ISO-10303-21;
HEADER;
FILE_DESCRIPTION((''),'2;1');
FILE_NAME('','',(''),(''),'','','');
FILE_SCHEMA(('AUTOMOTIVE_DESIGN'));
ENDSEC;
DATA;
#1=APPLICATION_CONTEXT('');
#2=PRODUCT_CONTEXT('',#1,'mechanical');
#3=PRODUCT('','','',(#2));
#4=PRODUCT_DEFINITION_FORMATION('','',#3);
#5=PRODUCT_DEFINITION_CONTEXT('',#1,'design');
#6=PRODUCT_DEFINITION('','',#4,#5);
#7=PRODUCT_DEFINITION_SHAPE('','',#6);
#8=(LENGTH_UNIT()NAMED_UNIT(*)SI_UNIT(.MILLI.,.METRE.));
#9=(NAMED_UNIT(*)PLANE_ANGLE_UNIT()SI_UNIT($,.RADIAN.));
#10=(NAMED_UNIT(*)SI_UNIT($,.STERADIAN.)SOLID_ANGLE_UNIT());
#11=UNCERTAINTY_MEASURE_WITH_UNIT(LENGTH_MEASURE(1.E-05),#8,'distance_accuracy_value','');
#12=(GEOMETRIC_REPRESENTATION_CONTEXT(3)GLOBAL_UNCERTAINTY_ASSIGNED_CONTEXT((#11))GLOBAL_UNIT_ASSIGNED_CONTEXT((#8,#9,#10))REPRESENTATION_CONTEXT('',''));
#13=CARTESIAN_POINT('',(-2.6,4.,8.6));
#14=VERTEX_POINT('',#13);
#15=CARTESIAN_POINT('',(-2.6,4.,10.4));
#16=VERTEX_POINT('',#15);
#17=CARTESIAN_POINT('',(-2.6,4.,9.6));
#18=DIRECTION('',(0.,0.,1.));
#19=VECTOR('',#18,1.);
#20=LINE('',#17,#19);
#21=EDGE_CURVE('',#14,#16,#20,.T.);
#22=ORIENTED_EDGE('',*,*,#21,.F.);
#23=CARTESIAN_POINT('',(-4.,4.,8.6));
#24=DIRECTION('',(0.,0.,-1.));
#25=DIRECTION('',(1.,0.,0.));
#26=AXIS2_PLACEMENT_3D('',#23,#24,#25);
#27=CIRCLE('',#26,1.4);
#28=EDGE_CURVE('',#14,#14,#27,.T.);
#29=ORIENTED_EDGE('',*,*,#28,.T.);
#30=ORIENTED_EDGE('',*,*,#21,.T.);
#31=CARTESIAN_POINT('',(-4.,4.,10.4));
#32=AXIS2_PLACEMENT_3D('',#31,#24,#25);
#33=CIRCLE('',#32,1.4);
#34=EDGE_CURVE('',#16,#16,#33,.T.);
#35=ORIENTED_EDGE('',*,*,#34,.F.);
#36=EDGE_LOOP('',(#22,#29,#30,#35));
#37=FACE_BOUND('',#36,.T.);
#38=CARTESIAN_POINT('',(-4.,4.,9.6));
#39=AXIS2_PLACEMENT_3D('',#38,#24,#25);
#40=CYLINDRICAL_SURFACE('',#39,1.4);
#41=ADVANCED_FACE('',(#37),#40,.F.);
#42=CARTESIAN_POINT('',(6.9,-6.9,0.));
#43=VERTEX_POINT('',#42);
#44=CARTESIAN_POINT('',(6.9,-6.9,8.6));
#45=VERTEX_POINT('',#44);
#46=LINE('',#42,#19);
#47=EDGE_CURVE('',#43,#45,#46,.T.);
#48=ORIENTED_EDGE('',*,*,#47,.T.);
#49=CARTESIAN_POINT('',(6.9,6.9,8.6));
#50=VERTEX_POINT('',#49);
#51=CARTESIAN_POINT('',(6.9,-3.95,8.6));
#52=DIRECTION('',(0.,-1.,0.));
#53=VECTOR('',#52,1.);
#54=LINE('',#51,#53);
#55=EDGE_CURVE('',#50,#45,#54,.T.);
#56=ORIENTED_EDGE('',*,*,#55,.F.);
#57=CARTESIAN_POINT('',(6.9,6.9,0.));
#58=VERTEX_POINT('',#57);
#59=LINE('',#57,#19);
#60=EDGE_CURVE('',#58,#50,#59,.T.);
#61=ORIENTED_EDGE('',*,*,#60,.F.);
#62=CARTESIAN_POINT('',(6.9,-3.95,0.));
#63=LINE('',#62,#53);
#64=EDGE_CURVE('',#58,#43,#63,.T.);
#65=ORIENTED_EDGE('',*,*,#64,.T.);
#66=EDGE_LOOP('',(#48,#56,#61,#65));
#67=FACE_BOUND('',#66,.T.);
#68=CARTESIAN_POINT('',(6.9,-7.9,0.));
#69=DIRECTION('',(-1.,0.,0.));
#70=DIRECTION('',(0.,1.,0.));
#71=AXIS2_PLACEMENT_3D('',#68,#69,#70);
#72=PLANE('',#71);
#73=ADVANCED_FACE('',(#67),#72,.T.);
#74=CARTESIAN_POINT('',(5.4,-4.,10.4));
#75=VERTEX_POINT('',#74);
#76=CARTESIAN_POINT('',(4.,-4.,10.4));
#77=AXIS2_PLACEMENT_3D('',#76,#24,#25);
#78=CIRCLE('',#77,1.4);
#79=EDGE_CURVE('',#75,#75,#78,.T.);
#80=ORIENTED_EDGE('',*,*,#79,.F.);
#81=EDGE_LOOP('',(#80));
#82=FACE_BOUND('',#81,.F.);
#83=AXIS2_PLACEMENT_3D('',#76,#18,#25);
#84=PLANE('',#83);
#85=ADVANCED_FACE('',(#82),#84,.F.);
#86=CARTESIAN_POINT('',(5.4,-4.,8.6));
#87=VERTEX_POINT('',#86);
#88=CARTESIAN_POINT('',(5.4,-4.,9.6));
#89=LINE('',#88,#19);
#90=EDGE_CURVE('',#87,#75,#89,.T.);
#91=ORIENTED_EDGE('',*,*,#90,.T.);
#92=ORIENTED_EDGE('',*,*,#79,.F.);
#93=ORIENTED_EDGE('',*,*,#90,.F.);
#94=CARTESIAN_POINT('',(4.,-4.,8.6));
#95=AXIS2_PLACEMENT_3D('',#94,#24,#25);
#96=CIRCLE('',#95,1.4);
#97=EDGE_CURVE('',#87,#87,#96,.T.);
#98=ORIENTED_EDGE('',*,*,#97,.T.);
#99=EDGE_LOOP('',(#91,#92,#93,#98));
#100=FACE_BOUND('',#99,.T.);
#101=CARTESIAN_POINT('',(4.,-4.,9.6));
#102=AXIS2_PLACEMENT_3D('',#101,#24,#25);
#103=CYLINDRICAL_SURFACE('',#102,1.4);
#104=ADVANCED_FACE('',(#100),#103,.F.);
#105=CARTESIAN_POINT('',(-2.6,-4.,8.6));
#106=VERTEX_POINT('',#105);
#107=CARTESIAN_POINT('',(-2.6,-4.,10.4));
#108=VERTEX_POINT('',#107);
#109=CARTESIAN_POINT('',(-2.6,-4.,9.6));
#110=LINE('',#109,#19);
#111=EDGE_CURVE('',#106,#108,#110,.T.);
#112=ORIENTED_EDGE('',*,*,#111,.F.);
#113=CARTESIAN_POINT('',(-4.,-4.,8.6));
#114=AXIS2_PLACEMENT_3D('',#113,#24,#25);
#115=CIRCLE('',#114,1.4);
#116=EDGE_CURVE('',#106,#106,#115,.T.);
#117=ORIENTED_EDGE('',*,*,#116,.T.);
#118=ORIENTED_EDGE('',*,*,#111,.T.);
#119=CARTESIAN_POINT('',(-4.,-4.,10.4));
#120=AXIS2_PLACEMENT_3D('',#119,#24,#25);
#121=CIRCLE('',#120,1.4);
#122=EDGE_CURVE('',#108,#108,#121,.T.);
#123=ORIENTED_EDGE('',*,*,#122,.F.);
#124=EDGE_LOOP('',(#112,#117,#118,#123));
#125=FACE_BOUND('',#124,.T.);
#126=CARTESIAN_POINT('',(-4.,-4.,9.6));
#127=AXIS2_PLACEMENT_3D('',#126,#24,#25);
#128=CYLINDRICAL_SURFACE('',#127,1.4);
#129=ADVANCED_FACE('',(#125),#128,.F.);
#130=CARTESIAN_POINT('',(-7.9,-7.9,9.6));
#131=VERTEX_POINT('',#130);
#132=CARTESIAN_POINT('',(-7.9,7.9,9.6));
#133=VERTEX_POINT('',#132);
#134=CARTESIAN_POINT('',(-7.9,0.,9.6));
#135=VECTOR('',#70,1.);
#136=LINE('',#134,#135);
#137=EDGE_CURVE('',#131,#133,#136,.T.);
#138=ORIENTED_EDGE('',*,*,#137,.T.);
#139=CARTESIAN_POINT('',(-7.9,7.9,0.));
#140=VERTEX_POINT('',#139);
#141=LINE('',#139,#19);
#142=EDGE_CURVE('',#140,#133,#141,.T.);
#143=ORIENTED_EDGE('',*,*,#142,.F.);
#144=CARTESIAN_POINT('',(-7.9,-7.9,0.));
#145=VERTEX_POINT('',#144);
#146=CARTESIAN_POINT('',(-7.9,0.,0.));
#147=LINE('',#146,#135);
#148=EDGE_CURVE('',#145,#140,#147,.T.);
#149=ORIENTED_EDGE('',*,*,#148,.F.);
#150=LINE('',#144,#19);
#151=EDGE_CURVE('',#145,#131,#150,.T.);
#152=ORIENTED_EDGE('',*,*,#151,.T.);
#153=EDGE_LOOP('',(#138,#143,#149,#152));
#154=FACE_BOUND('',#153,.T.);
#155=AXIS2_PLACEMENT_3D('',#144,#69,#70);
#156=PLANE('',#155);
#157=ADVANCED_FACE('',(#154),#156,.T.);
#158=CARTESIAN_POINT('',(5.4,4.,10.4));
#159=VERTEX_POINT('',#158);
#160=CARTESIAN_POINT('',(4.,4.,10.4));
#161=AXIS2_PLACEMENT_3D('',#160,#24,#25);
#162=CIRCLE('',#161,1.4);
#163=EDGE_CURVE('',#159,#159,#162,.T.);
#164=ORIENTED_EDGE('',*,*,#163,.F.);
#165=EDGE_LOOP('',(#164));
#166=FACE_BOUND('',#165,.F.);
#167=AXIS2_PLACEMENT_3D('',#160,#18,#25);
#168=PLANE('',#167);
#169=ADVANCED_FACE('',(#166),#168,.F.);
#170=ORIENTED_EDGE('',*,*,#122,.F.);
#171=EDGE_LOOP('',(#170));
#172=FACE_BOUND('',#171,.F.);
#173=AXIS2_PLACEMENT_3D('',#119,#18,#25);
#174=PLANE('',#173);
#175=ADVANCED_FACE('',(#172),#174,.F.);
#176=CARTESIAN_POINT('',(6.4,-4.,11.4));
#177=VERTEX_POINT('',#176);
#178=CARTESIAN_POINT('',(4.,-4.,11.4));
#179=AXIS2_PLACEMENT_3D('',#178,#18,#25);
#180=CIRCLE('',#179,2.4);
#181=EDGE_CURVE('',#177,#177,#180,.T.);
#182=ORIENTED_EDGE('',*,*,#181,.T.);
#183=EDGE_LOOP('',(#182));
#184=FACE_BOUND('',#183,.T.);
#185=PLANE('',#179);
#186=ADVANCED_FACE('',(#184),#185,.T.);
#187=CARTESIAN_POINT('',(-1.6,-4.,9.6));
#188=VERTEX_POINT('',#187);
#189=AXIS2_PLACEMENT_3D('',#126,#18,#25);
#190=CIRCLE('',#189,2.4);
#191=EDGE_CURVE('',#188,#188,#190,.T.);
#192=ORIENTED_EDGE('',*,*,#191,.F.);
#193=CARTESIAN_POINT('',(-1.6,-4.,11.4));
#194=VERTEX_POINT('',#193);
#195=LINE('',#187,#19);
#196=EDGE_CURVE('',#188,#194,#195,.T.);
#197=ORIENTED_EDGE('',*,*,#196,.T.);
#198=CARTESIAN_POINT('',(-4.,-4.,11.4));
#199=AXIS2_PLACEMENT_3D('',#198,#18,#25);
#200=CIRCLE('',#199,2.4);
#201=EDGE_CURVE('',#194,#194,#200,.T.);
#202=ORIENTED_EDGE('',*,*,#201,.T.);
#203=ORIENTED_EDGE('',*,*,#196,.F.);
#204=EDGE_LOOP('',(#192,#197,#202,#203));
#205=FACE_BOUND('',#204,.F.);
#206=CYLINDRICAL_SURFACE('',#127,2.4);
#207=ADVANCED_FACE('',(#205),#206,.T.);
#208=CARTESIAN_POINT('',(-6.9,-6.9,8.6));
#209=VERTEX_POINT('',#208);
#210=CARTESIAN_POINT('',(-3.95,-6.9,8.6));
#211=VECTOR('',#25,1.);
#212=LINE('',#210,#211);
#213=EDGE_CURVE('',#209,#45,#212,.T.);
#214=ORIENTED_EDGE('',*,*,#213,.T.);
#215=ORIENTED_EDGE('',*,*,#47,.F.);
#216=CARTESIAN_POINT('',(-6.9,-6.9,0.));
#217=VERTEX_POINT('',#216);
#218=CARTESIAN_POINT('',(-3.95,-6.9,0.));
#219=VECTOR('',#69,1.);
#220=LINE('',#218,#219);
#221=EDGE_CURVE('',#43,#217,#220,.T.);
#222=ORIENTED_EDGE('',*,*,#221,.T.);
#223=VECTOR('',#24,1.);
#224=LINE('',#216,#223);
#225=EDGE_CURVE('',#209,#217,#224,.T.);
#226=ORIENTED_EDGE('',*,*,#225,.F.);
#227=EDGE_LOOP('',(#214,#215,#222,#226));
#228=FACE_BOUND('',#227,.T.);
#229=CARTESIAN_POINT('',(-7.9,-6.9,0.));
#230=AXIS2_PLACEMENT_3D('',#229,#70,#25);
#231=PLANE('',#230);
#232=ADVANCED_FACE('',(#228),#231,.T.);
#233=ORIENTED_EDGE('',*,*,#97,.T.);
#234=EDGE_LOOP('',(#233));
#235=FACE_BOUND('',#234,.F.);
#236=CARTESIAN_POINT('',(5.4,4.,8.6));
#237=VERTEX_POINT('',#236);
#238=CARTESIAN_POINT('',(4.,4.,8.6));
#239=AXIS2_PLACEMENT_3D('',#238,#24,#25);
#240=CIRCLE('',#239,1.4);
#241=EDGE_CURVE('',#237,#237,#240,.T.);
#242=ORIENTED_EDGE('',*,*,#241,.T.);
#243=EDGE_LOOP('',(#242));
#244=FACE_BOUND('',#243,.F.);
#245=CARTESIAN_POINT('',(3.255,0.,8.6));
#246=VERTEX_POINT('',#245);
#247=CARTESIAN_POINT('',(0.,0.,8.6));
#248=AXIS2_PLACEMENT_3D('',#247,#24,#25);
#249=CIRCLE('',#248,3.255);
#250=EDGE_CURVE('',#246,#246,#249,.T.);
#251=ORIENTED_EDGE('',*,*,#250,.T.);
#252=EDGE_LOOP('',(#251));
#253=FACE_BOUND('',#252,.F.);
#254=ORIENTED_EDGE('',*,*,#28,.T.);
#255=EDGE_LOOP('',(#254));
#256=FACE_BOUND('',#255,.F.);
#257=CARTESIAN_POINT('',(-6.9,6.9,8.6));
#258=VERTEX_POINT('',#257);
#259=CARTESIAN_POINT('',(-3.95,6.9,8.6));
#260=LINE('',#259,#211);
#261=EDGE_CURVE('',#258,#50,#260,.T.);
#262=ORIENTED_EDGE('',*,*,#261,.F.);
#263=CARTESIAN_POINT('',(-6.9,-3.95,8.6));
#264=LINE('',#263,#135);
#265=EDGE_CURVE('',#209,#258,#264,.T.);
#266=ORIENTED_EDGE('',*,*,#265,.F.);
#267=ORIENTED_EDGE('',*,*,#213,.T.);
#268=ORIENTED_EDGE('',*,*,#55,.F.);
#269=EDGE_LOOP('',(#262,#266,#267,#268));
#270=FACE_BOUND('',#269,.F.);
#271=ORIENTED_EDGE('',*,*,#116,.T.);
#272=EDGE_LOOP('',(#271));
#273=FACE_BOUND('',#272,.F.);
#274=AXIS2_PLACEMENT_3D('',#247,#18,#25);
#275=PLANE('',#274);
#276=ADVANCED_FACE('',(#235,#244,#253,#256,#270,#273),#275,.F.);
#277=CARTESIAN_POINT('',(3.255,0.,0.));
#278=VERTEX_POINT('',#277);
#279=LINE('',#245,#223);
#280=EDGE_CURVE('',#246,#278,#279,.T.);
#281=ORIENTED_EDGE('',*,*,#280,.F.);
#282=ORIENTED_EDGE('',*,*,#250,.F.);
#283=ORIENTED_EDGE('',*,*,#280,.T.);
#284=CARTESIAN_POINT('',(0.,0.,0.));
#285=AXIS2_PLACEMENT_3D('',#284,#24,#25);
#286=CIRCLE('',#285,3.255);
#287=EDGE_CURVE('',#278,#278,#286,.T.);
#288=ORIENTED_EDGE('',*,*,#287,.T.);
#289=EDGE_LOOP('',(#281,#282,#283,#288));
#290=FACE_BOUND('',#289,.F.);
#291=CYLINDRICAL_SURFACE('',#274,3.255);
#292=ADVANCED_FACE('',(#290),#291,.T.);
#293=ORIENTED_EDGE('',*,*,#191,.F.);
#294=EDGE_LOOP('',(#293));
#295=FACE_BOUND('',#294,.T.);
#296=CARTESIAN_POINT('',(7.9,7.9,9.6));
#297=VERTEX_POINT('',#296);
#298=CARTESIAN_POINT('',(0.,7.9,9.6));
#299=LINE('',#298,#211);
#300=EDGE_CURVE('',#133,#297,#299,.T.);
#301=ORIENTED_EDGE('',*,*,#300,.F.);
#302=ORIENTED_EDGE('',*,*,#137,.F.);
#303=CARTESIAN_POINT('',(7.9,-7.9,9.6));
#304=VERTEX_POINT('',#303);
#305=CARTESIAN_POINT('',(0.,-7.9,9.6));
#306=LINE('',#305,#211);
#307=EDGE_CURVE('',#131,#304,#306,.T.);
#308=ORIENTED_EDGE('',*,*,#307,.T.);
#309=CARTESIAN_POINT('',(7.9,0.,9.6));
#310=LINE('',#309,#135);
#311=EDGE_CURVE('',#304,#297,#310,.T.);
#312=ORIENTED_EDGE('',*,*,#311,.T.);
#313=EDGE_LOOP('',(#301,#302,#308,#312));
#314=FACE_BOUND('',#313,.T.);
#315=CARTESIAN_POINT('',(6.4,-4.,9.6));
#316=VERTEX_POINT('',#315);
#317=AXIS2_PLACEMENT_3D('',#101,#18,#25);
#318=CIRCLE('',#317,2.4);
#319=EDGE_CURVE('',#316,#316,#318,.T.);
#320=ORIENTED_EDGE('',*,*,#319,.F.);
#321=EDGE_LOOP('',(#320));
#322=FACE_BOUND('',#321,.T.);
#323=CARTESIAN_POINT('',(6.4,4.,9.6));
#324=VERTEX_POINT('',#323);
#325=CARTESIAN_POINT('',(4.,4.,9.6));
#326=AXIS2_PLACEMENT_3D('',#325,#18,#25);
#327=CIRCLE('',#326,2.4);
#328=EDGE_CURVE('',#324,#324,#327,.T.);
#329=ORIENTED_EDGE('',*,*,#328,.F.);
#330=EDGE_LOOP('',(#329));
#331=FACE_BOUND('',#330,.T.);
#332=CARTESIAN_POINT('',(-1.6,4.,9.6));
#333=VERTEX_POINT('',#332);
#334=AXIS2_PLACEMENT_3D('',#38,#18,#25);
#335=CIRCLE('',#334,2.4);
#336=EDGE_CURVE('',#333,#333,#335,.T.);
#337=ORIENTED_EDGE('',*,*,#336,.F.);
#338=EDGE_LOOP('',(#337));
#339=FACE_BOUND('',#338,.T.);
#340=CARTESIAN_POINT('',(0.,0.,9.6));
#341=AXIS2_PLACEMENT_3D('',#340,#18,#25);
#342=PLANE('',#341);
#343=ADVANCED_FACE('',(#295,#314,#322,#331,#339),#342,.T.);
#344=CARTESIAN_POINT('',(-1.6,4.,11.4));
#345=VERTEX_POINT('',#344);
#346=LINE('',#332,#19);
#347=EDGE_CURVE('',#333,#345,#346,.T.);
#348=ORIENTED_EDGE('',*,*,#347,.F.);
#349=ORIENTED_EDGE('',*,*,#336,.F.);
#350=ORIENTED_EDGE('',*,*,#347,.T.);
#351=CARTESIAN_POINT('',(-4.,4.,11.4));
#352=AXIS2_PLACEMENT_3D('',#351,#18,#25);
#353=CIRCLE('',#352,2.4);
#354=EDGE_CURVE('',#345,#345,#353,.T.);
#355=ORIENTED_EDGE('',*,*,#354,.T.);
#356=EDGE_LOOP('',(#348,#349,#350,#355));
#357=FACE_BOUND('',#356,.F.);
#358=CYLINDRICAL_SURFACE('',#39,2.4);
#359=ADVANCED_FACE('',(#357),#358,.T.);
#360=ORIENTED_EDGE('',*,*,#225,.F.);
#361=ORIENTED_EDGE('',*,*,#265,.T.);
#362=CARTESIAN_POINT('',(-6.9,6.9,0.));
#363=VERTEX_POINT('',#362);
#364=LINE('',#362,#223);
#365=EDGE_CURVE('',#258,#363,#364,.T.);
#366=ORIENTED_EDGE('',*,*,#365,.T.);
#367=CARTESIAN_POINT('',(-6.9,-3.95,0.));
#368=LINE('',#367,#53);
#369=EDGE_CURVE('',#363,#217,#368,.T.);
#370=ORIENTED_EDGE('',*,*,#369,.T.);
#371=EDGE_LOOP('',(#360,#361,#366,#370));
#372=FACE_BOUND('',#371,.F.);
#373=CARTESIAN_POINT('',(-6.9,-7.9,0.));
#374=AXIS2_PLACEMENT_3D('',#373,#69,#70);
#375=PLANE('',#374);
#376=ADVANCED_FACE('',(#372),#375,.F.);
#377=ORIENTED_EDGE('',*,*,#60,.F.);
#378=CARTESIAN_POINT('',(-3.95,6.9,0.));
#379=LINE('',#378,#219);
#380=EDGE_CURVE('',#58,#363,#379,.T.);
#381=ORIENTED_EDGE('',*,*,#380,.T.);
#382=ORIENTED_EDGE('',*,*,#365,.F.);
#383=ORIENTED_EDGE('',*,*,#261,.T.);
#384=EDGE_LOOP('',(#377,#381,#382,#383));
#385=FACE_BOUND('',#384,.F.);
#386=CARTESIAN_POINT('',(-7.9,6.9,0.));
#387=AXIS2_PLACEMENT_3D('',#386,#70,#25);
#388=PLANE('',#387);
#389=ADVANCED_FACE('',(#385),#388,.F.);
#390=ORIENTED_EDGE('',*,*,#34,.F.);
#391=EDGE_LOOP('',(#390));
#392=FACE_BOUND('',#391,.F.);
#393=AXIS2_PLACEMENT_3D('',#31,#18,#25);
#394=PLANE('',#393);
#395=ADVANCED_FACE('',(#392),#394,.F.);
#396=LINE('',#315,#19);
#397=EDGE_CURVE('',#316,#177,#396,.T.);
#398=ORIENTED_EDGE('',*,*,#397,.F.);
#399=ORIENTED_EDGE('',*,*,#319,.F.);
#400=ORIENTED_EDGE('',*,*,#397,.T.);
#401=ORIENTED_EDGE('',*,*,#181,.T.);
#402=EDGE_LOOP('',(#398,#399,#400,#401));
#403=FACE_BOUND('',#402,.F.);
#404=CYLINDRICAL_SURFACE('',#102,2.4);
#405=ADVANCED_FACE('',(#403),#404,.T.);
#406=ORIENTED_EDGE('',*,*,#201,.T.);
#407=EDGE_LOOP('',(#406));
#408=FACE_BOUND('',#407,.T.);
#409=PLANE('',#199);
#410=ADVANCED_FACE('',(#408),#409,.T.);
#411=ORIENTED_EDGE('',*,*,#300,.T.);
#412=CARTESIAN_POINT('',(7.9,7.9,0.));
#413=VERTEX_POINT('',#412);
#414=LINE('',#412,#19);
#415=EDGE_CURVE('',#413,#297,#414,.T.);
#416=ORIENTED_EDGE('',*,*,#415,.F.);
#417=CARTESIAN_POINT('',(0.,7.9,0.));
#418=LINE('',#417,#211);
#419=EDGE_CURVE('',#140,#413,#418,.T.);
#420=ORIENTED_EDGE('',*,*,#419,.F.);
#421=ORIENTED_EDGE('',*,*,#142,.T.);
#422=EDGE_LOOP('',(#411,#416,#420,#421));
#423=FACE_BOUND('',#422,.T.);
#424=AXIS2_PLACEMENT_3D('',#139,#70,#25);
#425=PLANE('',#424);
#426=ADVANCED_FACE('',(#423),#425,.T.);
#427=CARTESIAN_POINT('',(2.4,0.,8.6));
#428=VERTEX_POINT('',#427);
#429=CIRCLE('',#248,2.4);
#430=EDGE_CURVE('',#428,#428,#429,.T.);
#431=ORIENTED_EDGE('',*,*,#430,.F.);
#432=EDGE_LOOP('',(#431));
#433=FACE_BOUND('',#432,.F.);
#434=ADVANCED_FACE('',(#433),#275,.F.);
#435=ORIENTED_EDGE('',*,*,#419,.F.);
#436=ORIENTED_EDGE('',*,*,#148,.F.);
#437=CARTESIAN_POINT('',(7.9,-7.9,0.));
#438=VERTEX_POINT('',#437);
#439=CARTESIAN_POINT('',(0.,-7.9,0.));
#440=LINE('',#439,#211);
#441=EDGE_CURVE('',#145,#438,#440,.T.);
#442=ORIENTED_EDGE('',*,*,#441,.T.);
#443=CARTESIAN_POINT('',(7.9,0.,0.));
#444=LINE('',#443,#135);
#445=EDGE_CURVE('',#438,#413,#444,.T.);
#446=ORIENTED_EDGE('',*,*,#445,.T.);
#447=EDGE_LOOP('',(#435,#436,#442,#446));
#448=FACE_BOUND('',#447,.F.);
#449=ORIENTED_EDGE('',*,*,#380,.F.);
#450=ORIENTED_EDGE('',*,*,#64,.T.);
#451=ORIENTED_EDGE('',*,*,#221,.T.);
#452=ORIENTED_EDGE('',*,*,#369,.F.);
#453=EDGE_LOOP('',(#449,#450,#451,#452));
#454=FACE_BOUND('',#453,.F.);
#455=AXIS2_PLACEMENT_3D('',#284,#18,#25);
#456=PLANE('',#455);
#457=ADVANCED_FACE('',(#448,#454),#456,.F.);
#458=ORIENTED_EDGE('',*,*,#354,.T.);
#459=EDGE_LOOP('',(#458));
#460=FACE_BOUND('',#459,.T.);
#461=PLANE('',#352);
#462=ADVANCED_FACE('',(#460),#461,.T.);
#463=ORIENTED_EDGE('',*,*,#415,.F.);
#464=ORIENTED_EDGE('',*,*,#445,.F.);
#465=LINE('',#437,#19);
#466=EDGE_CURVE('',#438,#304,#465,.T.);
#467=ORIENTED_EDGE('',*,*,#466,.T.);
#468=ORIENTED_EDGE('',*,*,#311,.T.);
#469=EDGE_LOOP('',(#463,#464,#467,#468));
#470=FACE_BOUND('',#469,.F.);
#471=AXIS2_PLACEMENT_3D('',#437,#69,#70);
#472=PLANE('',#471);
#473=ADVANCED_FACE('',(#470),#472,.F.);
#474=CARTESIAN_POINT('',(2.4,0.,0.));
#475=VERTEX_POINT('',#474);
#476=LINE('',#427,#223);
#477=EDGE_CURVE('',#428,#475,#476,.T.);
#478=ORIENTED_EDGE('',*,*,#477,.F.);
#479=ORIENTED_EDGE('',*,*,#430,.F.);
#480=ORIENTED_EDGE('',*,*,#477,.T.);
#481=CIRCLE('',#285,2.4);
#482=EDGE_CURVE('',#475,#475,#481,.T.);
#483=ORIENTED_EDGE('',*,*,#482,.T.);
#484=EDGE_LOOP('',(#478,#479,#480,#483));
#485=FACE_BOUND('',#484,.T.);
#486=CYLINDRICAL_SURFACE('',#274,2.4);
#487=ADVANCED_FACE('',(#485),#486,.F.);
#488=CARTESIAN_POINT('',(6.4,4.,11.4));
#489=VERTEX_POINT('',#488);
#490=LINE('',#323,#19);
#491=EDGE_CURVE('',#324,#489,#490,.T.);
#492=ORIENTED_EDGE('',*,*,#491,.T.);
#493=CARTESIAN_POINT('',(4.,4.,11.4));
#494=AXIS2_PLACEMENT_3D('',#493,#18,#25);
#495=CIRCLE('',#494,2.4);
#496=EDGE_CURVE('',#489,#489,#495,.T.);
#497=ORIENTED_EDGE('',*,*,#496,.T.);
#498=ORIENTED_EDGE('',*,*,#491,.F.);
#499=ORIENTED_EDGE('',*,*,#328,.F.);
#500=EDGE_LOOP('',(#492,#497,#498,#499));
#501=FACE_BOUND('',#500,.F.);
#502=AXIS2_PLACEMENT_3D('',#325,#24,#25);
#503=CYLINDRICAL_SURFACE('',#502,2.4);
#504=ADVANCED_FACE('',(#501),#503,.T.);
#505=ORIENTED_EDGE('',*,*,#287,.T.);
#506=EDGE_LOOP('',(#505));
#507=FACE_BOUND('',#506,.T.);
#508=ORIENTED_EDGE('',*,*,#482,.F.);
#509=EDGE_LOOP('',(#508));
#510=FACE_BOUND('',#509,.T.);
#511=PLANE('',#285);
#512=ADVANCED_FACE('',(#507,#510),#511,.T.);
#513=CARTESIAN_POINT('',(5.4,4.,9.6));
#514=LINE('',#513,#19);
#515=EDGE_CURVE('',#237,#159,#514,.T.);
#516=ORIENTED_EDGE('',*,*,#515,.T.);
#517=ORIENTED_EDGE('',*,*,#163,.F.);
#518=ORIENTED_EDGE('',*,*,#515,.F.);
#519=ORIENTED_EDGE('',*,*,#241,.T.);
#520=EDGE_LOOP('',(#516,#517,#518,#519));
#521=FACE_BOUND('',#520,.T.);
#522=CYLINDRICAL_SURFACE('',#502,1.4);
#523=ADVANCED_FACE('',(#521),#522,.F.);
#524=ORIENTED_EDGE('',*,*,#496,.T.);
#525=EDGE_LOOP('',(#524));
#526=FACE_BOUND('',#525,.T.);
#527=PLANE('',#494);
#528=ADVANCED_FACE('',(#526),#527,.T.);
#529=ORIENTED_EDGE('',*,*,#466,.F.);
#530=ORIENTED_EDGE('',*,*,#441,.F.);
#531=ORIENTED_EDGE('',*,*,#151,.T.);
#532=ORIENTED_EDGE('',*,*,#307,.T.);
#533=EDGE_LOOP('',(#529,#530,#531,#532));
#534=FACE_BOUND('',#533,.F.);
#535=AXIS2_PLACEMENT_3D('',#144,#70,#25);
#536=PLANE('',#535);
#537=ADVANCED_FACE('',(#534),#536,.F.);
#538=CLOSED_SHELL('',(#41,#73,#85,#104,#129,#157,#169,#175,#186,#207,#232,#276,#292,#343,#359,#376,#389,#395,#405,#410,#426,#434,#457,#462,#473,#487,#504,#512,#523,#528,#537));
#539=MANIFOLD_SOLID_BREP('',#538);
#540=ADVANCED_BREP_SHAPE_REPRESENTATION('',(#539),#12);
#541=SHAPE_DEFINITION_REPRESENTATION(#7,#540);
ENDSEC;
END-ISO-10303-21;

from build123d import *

# Parameters (mm, degrees)
F0_W     = 15.8
F0_H     = 15.8
F1_DEPTH = 9.6
F2_R     = 2.4
F3_DEPTH = 1.8
F4_T     = -1
F5_R     = 3.255
F5_R_2   = 2.4
F6_DEPTH = 8.6


with BuildPart() as f1:
    # F0 (on Top) → F1 (new body)
    with BuildSketch(Plane.XY):
        Rectangle(F0_W, F0_H)
    extrude(amount=F1_DEPTH)

    # F2 (on face) → F3 (join)
    with BuildSketch(Plane.XY.offset(9.6)):
        with Locations((-4, 4)):
            Circle(F2_R)
        with Locations((4, 4)):
            Circle(F2_R)
        with Locations((4, -4)):
            Circle(F2_R)
        with Locations((-4, -4)):
            Circle(F2_R)
    extrude(amount=F3_DEPTH)

    # F4
    f4_openings = [f1.faces().sort_by_distance(p)[0] for p in [
        (0, 0, 0),
    ]]
    offset(amount=F4_T, openings=f4_openings, kind=Kind.INTERSECTION)

    # F5 (on face) → F6 (join, through all)
    with BuildSketch(Plane(origin=(0, 0, 8.6), x_dir=(1, 0, 0), z_dir=(0, 0, -1))):
        Circle(F5_R)
        Circle(F5_R_2, mode=Mode.SUBTRACT)
    extrude(amount=F6_DEPTH)


solid = f1.part
